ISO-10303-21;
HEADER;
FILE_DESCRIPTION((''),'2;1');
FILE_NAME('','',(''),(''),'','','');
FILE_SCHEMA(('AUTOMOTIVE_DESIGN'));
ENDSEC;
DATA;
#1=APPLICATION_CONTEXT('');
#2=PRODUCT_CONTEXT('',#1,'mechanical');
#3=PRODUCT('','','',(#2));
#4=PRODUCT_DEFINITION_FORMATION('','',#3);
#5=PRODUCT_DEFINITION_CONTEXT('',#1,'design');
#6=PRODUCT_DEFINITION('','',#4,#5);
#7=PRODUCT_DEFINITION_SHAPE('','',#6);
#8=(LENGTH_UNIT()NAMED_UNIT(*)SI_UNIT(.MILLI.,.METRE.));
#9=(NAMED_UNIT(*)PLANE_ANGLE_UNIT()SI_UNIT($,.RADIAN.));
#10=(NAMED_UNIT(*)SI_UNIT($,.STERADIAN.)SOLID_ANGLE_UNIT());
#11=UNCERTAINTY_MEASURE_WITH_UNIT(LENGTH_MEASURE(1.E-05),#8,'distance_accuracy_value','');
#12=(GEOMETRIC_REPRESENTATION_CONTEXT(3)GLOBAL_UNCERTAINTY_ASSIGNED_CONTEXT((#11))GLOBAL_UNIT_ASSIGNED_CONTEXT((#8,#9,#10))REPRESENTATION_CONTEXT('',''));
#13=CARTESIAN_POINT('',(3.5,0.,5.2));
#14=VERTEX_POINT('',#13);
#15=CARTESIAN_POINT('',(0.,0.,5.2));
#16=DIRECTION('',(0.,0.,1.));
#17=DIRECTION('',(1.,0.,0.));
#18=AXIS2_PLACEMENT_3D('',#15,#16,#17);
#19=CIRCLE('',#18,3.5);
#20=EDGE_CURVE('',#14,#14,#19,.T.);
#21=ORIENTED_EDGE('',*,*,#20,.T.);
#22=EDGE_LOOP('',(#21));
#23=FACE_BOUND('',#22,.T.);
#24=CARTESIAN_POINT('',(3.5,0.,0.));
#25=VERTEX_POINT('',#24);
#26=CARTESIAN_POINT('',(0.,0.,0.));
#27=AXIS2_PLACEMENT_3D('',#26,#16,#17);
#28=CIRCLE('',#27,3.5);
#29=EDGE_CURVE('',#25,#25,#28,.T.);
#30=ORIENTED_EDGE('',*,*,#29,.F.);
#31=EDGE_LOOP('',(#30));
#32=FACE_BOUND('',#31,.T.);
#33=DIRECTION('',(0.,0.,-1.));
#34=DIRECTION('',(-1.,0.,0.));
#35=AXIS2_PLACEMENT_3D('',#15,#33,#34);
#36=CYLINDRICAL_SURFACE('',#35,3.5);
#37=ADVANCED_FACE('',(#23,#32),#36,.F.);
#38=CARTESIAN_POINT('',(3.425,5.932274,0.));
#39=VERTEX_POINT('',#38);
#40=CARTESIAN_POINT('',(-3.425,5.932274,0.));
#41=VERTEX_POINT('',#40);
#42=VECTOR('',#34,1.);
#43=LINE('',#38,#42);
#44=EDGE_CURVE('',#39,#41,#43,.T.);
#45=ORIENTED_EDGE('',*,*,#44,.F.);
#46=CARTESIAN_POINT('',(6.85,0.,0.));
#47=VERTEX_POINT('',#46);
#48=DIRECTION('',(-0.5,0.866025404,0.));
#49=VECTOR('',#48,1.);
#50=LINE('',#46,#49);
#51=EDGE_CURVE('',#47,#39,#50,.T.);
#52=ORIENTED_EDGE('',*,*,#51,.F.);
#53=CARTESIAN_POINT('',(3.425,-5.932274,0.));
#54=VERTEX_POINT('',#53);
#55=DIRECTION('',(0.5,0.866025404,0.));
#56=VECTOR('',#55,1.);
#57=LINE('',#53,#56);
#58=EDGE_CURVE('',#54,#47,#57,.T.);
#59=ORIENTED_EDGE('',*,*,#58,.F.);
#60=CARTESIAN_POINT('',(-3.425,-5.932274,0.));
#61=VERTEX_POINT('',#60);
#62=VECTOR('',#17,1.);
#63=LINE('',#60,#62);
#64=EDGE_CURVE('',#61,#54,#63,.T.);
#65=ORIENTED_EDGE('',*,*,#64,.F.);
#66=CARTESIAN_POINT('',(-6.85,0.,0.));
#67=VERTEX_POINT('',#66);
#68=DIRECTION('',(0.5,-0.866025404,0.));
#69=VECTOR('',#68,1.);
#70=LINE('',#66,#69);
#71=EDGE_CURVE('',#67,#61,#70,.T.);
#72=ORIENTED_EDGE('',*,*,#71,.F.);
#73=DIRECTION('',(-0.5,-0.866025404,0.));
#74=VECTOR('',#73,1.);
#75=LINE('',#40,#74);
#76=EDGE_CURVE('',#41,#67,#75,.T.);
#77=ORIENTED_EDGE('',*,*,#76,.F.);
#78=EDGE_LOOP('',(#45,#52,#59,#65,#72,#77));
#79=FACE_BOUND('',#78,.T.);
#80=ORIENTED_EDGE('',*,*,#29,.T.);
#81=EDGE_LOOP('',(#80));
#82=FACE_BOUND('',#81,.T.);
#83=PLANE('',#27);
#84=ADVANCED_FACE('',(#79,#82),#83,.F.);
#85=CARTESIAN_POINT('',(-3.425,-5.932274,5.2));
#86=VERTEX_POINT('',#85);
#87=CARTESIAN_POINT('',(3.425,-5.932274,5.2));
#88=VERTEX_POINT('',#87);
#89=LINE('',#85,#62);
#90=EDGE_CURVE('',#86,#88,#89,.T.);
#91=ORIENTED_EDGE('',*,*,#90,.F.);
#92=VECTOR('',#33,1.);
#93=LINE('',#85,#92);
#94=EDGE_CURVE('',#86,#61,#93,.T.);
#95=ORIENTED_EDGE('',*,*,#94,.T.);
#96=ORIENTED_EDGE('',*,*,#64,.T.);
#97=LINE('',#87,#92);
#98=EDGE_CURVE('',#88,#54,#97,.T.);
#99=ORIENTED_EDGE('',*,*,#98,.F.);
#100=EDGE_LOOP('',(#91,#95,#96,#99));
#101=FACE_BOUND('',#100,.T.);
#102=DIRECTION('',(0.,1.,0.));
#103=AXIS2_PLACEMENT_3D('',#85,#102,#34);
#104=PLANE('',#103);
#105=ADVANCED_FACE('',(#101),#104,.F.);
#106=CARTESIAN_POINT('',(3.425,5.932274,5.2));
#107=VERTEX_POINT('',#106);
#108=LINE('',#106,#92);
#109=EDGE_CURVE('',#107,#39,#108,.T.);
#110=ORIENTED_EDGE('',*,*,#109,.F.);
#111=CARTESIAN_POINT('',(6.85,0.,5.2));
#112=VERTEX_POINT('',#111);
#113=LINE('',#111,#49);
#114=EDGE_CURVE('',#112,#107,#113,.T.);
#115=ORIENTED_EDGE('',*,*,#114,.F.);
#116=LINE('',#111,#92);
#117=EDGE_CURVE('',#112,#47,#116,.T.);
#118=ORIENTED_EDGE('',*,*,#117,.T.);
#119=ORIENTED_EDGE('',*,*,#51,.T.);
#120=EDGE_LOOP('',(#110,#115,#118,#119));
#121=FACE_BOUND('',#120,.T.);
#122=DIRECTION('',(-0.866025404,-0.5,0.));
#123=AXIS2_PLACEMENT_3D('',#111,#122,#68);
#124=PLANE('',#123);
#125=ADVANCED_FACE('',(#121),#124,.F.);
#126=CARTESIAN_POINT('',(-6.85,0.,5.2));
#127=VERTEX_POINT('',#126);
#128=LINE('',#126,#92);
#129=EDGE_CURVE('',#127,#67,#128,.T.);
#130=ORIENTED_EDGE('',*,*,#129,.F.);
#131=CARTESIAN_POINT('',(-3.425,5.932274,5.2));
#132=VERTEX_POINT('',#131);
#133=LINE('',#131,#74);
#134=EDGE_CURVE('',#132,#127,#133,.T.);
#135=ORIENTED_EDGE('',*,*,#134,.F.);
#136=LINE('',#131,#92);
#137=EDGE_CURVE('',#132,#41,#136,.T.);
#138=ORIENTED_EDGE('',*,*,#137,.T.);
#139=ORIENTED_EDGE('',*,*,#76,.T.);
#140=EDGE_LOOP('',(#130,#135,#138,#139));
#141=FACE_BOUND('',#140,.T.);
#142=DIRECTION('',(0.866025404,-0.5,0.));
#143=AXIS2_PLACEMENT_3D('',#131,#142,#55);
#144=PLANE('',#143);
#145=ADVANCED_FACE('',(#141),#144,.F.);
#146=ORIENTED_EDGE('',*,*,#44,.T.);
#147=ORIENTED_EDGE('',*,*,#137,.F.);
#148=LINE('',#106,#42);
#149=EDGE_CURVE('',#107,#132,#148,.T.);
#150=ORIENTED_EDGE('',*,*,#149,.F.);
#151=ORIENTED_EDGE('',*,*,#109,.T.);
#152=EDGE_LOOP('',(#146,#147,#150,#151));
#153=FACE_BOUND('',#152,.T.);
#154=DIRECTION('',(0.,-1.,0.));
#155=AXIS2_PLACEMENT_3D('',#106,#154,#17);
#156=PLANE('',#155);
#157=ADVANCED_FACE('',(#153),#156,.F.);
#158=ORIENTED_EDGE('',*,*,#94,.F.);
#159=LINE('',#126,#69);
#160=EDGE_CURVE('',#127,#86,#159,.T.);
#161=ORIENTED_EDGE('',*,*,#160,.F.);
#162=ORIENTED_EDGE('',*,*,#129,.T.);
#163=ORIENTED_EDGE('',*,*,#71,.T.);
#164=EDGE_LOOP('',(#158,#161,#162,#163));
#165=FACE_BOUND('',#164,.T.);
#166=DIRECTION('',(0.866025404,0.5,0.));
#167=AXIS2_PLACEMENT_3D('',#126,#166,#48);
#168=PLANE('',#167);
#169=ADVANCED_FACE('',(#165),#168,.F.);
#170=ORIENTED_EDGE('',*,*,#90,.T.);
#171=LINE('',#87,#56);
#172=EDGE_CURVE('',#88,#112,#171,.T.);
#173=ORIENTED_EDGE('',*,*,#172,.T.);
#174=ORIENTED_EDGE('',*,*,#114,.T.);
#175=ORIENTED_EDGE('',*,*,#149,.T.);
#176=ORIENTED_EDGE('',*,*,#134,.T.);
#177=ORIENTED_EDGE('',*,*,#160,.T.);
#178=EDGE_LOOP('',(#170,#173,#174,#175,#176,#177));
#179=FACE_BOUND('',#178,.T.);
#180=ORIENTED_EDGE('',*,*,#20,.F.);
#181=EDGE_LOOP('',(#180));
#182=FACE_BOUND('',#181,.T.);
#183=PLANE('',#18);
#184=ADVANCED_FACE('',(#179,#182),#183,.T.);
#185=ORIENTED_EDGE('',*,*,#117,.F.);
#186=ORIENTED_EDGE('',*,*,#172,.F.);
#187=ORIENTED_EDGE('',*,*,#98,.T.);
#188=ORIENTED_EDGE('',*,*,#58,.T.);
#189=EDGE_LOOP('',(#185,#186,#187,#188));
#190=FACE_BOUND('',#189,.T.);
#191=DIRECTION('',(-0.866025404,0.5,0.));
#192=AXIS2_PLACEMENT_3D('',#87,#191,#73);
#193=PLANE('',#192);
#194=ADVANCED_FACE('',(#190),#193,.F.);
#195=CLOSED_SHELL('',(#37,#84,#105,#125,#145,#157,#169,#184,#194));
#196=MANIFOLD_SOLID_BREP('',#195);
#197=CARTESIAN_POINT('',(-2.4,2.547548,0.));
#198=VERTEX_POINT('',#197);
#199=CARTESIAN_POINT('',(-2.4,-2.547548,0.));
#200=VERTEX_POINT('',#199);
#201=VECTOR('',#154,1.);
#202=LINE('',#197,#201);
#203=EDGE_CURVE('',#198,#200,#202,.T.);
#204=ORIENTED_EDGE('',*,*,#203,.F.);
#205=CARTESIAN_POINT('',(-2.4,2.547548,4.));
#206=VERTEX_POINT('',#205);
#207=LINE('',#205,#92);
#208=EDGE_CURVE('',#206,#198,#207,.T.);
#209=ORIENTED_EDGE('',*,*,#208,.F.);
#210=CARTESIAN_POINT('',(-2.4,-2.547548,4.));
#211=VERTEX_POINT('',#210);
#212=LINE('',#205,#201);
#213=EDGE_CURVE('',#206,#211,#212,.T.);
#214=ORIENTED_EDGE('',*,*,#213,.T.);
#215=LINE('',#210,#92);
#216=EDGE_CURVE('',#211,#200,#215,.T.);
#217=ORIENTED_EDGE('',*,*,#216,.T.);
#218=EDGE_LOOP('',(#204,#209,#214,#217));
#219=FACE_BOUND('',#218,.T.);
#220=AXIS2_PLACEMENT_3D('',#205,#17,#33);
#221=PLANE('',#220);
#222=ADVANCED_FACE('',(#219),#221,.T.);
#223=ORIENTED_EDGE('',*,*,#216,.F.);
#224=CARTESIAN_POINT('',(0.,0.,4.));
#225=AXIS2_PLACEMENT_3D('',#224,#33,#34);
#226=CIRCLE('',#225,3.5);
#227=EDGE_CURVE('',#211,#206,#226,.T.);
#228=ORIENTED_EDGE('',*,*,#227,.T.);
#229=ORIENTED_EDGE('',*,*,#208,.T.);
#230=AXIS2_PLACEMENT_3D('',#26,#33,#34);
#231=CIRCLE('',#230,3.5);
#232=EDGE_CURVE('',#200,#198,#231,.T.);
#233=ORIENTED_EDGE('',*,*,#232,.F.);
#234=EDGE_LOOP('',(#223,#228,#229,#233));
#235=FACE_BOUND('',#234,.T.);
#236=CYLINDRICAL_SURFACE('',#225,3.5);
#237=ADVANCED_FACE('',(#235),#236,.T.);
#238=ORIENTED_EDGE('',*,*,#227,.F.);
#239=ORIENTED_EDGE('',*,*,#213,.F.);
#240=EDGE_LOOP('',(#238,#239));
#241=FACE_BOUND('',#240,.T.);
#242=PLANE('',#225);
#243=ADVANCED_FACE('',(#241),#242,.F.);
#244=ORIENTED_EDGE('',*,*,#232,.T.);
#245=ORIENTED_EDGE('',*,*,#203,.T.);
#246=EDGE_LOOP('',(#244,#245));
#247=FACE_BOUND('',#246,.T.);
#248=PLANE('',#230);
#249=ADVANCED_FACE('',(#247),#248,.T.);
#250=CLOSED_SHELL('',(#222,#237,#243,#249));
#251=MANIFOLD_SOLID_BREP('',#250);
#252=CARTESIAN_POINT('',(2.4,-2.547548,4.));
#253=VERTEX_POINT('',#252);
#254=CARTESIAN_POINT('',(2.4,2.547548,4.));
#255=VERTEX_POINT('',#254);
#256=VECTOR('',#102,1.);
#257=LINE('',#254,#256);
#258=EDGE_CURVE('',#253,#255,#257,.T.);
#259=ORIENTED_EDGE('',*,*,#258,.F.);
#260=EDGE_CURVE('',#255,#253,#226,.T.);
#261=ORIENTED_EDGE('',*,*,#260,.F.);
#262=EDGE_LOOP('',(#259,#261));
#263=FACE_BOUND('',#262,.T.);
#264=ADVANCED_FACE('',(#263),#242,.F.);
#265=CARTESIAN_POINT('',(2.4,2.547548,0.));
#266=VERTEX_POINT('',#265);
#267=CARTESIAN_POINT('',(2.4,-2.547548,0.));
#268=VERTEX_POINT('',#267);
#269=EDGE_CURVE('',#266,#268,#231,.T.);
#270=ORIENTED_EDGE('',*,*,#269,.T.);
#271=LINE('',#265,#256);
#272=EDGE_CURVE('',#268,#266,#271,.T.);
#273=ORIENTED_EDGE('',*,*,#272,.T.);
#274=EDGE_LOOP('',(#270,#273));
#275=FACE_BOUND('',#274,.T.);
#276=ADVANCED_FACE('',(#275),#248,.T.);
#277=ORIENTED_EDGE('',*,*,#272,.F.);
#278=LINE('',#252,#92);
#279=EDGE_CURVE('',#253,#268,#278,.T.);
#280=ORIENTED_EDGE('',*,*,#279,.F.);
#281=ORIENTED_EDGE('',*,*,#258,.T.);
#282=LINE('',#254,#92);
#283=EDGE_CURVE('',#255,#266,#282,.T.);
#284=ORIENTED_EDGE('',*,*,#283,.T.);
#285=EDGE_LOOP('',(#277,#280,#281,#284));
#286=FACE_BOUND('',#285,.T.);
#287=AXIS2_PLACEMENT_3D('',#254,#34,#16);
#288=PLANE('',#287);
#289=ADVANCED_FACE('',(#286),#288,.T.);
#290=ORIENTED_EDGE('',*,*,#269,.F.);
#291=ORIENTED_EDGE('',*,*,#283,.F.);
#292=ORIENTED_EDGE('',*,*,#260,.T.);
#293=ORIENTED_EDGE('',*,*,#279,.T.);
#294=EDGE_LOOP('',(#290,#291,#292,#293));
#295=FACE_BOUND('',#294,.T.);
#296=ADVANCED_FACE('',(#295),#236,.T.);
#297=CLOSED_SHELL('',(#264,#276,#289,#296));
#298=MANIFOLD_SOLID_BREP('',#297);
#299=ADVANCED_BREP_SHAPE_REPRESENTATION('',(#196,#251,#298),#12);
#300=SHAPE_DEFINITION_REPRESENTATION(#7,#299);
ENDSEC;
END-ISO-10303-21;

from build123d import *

# Parameters (mm, degrees)
SKETCH1_R             = 3.5
BOSS_EXTRUDE1_DEPTH   = 5.2
BOSS_EXTRUDE2_DEPTH   = 4
BOSS_EXTRUDE2_2_DEPTH = 4


with BuildPart() as part:
    # Sketch1 → Boss-Extrude1 (new body)
    with BuildSketch(Plane.XY):
        Polygon((6.85, 0), (3.425, 5.932274016), (-3.425, 5.932274016), (-6.85, 0), (-3.425, -5.932274016), (3.425, -5.932274016), align=None)
        Circle(SKETCH1_R, mode=Mode.SUBTRACT)
    extrude(amount=BOSS_EXTRUDE1_DEPTH)


with BuildPart() as body_2:
    # Sketch2 → Boss-Extrude2 (new body)
    with BuildSketch(Plane(origin=(0, 0, 0), x_dir=(-1, 0, 0), z_dir=(0, 0, -1))):
        with BuildLine():
            Line((2.4, 2.547547841), (2.4, -2.547547841))
            ThreePointArc((2.4, -2.547547841), (3.5, 0), (2.4, 2.547547841))
        make_face()
    extrude(amount=-BOSS_EXTRUDE2_DEPTH)


with BuildPart() as body_3:
    # Sketch2 → Boss-Extrude2 2 (new body)
    with BuildSketch(Plane(origin=(0, 0, 0), x_dir=(-1, 0, 0), z_dir=(0, 0, -1))):
        with BuildLine():
            Line((-2.4, 2.547547841), (-2.4, -2.547547841))
            ThreePointArc((-2.4, -2.547547841), (-3.5, 0), (-2.4, 2.547547841))
        make_face()
    extrude(amount=-BOSS_EXTRUDE2_2_DEPTH)


solid = Compound([part.part, body_2.part, body_3.part])
